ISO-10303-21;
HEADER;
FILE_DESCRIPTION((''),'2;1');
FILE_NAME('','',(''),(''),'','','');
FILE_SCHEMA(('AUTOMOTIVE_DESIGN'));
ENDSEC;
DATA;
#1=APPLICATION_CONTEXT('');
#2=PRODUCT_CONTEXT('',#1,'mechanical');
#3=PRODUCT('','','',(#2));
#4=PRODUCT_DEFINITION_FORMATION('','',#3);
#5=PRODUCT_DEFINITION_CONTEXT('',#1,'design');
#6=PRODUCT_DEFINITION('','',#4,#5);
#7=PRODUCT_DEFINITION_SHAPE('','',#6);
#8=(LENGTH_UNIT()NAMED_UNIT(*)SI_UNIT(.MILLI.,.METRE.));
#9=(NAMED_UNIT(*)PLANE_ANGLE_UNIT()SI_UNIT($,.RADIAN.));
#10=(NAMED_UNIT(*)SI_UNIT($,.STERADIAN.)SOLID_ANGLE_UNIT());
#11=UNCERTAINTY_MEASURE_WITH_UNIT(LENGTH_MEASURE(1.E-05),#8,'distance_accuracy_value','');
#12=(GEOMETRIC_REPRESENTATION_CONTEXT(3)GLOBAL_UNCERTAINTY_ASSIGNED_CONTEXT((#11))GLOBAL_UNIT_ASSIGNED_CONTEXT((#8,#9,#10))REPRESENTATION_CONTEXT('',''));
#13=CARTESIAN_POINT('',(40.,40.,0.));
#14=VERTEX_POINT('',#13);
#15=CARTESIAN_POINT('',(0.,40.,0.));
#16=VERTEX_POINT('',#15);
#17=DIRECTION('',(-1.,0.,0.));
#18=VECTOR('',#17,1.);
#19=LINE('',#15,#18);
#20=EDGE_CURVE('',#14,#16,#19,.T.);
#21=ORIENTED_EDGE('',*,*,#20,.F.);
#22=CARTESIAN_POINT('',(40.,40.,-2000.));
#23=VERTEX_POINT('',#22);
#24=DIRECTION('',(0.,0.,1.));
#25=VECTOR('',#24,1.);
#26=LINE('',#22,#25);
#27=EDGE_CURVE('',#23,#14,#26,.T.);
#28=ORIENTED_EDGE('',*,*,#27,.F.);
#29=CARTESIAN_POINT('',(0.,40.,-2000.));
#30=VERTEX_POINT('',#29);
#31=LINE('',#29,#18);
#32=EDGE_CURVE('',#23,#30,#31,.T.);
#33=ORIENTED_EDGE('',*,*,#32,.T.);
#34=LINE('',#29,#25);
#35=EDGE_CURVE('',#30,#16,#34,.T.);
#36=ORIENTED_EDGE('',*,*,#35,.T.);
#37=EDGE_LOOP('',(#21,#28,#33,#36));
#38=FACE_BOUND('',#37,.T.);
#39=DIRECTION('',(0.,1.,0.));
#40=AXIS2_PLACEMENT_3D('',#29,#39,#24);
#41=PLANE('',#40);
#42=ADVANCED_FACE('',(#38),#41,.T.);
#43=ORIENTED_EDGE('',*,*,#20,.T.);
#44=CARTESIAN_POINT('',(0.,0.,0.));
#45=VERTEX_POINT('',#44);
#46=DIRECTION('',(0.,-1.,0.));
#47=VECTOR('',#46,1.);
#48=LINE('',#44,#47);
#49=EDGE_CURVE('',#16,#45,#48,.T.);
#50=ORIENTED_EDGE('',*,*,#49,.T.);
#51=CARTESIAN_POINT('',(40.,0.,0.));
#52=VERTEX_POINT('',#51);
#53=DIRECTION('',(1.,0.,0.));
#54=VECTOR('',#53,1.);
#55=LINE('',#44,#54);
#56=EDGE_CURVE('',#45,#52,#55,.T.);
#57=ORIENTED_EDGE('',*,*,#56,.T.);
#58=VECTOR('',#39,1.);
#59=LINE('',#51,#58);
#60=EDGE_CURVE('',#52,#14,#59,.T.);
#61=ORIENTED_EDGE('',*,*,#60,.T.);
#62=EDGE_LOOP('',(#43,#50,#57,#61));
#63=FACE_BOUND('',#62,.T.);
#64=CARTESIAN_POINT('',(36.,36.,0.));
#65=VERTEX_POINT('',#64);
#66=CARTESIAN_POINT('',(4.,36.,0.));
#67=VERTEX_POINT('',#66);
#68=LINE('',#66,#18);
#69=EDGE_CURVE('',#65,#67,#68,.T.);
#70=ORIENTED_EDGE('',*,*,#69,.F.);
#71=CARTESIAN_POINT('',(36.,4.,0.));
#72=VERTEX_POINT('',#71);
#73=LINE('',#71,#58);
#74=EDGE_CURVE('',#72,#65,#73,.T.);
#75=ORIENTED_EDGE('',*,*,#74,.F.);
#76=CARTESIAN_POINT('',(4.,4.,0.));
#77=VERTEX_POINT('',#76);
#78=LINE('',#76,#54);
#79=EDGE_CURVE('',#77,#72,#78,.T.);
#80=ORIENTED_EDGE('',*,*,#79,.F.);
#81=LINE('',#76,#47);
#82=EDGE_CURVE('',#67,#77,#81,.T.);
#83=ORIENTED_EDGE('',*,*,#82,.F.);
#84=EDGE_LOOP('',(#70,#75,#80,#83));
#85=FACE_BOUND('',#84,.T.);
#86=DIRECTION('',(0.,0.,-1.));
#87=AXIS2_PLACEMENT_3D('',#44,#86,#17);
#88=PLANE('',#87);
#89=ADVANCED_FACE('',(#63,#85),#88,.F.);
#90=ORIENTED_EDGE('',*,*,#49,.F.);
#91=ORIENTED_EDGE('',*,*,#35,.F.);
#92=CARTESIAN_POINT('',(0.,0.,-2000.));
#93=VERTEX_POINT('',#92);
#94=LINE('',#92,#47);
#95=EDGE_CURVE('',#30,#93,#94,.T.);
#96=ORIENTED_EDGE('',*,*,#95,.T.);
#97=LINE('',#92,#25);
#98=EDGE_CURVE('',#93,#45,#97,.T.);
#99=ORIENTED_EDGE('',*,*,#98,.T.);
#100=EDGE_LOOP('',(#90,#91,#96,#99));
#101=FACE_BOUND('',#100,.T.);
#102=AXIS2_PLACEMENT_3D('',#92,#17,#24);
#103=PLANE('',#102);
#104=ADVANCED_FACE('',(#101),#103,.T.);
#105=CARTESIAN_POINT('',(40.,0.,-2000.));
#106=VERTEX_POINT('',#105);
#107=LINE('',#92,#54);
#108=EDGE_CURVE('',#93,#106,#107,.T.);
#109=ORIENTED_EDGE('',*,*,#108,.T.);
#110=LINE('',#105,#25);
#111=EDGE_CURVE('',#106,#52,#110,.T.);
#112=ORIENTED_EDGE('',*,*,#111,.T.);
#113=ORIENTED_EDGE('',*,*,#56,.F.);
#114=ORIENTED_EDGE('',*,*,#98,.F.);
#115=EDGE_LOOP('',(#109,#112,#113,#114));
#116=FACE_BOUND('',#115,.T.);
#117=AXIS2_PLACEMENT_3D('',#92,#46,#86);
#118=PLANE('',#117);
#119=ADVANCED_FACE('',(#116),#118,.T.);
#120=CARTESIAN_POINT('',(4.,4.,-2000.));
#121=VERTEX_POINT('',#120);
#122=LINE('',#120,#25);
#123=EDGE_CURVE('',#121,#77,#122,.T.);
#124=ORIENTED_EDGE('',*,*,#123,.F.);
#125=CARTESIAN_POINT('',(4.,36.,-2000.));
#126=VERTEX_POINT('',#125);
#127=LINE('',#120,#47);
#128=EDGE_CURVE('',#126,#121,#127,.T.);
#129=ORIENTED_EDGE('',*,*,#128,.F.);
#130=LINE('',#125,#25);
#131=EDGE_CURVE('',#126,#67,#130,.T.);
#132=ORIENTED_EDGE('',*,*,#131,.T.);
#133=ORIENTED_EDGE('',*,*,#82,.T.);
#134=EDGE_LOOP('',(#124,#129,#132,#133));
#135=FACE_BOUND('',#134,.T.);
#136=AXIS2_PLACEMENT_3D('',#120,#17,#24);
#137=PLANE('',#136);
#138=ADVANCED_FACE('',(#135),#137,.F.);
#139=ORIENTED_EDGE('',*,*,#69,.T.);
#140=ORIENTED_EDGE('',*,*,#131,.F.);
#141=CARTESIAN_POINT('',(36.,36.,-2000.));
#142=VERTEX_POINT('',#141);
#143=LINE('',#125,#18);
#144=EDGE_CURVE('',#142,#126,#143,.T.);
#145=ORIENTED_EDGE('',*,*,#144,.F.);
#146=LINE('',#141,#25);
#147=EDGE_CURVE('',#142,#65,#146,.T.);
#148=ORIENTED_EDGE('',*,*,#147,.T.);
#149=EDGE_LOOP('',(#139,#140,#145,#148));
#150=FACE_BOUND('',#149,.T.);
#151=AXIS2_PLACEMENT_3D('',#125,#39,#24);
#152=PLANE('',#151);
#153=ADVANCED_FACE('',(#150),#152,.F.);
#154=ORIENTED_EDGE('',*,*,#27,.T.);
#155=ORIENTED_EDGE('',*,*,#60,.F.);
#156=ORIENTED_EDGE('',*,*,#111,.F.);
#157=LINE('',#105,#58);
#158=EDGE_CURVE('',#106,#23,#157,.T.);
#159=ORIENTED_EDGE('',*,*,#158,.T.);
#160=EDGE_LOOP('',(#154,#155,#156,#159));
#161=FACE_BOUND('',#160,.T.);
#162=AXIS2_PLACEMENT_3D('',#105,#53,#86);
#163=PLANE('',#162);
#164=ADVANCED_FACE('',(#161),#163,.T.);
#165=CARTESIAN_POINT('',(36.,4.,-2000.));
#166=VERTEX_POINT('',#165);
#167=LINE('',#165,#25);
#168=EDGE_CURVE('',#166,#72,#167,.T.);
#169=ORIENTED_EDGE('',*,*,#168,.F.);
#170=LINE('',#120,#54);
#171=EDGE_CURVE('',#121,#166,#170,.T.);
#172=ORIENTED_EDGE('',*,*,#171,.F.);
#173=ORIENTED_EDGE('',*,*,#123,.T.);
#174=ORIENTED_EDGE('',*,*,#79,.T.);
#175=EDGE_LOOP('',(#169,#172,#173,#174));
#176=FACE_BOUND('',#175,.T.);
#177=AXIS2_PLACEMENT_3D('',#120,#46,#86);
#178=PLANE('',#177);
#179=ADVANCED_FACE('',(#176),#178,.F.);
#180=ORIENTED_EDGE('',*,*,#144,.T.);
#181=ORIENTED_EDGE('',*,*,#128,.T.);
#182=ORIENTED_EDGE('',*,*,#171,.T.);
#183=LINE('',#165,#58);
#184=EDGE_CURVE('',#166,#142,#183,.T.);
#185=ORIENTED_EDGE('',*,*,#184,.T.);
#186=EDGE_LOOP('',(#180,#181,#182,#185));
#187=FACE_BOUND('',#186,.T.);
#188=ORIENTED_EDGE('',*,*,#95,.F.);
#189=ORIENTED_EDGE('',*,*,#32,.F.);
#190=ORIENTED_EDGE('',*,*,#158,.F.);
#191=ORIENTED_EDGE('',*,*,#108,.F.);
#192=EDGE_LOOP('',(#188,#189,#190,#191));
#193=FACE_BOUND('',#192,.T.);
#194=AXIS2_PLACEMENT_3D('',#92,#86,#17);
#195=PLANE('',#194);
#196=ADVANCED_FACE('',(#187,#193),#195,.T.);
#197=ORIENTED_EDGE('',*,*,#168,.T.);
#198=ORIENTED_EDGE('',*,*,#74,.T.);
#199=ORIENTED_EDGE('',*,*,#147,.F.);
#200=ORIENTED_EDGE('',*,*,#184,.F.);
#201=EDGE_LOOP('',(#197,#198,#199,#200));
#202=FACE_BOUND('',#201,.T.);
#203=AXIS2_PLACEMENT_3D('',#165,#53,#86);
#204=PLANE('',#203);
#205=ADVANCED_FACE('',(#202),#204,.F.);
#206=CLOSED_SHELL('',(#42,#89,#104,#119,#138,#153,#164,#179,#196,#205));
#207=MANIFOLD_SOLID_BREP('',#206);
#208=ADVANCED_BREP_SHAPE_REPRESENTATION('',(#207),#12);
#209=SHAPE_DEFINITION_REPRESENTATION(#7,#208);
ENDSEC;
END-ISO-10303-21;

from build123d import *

# Parameters (mm, degrees)
IZIM1_W                     = 40
IZIM1_H                     = 40
IZIM1_W_2                   = 32
IZIM1_H_2                   = 32
Y_KSEKLIK_EKSTR_ZYON1_DEPTH = 2000


with BuildPart() as part:
    # Çizim1 → Yükseklik-Ekstrüzyon1 (new body)
    with BuildSketch(Plane.XY):
        with Locations((20, 20)):
            Rectangle(IZIM1_W, IZIM1_H)
        with Locations((20, 20)):
            Rectangle(IZIM1_W_2, IZIM1_H_2, mode=Mode.SUBTRACT)
    extrude(amount=-Y_KSEKLIK_EKSTR_ZYON1_DEPTH)


solid = part.part
